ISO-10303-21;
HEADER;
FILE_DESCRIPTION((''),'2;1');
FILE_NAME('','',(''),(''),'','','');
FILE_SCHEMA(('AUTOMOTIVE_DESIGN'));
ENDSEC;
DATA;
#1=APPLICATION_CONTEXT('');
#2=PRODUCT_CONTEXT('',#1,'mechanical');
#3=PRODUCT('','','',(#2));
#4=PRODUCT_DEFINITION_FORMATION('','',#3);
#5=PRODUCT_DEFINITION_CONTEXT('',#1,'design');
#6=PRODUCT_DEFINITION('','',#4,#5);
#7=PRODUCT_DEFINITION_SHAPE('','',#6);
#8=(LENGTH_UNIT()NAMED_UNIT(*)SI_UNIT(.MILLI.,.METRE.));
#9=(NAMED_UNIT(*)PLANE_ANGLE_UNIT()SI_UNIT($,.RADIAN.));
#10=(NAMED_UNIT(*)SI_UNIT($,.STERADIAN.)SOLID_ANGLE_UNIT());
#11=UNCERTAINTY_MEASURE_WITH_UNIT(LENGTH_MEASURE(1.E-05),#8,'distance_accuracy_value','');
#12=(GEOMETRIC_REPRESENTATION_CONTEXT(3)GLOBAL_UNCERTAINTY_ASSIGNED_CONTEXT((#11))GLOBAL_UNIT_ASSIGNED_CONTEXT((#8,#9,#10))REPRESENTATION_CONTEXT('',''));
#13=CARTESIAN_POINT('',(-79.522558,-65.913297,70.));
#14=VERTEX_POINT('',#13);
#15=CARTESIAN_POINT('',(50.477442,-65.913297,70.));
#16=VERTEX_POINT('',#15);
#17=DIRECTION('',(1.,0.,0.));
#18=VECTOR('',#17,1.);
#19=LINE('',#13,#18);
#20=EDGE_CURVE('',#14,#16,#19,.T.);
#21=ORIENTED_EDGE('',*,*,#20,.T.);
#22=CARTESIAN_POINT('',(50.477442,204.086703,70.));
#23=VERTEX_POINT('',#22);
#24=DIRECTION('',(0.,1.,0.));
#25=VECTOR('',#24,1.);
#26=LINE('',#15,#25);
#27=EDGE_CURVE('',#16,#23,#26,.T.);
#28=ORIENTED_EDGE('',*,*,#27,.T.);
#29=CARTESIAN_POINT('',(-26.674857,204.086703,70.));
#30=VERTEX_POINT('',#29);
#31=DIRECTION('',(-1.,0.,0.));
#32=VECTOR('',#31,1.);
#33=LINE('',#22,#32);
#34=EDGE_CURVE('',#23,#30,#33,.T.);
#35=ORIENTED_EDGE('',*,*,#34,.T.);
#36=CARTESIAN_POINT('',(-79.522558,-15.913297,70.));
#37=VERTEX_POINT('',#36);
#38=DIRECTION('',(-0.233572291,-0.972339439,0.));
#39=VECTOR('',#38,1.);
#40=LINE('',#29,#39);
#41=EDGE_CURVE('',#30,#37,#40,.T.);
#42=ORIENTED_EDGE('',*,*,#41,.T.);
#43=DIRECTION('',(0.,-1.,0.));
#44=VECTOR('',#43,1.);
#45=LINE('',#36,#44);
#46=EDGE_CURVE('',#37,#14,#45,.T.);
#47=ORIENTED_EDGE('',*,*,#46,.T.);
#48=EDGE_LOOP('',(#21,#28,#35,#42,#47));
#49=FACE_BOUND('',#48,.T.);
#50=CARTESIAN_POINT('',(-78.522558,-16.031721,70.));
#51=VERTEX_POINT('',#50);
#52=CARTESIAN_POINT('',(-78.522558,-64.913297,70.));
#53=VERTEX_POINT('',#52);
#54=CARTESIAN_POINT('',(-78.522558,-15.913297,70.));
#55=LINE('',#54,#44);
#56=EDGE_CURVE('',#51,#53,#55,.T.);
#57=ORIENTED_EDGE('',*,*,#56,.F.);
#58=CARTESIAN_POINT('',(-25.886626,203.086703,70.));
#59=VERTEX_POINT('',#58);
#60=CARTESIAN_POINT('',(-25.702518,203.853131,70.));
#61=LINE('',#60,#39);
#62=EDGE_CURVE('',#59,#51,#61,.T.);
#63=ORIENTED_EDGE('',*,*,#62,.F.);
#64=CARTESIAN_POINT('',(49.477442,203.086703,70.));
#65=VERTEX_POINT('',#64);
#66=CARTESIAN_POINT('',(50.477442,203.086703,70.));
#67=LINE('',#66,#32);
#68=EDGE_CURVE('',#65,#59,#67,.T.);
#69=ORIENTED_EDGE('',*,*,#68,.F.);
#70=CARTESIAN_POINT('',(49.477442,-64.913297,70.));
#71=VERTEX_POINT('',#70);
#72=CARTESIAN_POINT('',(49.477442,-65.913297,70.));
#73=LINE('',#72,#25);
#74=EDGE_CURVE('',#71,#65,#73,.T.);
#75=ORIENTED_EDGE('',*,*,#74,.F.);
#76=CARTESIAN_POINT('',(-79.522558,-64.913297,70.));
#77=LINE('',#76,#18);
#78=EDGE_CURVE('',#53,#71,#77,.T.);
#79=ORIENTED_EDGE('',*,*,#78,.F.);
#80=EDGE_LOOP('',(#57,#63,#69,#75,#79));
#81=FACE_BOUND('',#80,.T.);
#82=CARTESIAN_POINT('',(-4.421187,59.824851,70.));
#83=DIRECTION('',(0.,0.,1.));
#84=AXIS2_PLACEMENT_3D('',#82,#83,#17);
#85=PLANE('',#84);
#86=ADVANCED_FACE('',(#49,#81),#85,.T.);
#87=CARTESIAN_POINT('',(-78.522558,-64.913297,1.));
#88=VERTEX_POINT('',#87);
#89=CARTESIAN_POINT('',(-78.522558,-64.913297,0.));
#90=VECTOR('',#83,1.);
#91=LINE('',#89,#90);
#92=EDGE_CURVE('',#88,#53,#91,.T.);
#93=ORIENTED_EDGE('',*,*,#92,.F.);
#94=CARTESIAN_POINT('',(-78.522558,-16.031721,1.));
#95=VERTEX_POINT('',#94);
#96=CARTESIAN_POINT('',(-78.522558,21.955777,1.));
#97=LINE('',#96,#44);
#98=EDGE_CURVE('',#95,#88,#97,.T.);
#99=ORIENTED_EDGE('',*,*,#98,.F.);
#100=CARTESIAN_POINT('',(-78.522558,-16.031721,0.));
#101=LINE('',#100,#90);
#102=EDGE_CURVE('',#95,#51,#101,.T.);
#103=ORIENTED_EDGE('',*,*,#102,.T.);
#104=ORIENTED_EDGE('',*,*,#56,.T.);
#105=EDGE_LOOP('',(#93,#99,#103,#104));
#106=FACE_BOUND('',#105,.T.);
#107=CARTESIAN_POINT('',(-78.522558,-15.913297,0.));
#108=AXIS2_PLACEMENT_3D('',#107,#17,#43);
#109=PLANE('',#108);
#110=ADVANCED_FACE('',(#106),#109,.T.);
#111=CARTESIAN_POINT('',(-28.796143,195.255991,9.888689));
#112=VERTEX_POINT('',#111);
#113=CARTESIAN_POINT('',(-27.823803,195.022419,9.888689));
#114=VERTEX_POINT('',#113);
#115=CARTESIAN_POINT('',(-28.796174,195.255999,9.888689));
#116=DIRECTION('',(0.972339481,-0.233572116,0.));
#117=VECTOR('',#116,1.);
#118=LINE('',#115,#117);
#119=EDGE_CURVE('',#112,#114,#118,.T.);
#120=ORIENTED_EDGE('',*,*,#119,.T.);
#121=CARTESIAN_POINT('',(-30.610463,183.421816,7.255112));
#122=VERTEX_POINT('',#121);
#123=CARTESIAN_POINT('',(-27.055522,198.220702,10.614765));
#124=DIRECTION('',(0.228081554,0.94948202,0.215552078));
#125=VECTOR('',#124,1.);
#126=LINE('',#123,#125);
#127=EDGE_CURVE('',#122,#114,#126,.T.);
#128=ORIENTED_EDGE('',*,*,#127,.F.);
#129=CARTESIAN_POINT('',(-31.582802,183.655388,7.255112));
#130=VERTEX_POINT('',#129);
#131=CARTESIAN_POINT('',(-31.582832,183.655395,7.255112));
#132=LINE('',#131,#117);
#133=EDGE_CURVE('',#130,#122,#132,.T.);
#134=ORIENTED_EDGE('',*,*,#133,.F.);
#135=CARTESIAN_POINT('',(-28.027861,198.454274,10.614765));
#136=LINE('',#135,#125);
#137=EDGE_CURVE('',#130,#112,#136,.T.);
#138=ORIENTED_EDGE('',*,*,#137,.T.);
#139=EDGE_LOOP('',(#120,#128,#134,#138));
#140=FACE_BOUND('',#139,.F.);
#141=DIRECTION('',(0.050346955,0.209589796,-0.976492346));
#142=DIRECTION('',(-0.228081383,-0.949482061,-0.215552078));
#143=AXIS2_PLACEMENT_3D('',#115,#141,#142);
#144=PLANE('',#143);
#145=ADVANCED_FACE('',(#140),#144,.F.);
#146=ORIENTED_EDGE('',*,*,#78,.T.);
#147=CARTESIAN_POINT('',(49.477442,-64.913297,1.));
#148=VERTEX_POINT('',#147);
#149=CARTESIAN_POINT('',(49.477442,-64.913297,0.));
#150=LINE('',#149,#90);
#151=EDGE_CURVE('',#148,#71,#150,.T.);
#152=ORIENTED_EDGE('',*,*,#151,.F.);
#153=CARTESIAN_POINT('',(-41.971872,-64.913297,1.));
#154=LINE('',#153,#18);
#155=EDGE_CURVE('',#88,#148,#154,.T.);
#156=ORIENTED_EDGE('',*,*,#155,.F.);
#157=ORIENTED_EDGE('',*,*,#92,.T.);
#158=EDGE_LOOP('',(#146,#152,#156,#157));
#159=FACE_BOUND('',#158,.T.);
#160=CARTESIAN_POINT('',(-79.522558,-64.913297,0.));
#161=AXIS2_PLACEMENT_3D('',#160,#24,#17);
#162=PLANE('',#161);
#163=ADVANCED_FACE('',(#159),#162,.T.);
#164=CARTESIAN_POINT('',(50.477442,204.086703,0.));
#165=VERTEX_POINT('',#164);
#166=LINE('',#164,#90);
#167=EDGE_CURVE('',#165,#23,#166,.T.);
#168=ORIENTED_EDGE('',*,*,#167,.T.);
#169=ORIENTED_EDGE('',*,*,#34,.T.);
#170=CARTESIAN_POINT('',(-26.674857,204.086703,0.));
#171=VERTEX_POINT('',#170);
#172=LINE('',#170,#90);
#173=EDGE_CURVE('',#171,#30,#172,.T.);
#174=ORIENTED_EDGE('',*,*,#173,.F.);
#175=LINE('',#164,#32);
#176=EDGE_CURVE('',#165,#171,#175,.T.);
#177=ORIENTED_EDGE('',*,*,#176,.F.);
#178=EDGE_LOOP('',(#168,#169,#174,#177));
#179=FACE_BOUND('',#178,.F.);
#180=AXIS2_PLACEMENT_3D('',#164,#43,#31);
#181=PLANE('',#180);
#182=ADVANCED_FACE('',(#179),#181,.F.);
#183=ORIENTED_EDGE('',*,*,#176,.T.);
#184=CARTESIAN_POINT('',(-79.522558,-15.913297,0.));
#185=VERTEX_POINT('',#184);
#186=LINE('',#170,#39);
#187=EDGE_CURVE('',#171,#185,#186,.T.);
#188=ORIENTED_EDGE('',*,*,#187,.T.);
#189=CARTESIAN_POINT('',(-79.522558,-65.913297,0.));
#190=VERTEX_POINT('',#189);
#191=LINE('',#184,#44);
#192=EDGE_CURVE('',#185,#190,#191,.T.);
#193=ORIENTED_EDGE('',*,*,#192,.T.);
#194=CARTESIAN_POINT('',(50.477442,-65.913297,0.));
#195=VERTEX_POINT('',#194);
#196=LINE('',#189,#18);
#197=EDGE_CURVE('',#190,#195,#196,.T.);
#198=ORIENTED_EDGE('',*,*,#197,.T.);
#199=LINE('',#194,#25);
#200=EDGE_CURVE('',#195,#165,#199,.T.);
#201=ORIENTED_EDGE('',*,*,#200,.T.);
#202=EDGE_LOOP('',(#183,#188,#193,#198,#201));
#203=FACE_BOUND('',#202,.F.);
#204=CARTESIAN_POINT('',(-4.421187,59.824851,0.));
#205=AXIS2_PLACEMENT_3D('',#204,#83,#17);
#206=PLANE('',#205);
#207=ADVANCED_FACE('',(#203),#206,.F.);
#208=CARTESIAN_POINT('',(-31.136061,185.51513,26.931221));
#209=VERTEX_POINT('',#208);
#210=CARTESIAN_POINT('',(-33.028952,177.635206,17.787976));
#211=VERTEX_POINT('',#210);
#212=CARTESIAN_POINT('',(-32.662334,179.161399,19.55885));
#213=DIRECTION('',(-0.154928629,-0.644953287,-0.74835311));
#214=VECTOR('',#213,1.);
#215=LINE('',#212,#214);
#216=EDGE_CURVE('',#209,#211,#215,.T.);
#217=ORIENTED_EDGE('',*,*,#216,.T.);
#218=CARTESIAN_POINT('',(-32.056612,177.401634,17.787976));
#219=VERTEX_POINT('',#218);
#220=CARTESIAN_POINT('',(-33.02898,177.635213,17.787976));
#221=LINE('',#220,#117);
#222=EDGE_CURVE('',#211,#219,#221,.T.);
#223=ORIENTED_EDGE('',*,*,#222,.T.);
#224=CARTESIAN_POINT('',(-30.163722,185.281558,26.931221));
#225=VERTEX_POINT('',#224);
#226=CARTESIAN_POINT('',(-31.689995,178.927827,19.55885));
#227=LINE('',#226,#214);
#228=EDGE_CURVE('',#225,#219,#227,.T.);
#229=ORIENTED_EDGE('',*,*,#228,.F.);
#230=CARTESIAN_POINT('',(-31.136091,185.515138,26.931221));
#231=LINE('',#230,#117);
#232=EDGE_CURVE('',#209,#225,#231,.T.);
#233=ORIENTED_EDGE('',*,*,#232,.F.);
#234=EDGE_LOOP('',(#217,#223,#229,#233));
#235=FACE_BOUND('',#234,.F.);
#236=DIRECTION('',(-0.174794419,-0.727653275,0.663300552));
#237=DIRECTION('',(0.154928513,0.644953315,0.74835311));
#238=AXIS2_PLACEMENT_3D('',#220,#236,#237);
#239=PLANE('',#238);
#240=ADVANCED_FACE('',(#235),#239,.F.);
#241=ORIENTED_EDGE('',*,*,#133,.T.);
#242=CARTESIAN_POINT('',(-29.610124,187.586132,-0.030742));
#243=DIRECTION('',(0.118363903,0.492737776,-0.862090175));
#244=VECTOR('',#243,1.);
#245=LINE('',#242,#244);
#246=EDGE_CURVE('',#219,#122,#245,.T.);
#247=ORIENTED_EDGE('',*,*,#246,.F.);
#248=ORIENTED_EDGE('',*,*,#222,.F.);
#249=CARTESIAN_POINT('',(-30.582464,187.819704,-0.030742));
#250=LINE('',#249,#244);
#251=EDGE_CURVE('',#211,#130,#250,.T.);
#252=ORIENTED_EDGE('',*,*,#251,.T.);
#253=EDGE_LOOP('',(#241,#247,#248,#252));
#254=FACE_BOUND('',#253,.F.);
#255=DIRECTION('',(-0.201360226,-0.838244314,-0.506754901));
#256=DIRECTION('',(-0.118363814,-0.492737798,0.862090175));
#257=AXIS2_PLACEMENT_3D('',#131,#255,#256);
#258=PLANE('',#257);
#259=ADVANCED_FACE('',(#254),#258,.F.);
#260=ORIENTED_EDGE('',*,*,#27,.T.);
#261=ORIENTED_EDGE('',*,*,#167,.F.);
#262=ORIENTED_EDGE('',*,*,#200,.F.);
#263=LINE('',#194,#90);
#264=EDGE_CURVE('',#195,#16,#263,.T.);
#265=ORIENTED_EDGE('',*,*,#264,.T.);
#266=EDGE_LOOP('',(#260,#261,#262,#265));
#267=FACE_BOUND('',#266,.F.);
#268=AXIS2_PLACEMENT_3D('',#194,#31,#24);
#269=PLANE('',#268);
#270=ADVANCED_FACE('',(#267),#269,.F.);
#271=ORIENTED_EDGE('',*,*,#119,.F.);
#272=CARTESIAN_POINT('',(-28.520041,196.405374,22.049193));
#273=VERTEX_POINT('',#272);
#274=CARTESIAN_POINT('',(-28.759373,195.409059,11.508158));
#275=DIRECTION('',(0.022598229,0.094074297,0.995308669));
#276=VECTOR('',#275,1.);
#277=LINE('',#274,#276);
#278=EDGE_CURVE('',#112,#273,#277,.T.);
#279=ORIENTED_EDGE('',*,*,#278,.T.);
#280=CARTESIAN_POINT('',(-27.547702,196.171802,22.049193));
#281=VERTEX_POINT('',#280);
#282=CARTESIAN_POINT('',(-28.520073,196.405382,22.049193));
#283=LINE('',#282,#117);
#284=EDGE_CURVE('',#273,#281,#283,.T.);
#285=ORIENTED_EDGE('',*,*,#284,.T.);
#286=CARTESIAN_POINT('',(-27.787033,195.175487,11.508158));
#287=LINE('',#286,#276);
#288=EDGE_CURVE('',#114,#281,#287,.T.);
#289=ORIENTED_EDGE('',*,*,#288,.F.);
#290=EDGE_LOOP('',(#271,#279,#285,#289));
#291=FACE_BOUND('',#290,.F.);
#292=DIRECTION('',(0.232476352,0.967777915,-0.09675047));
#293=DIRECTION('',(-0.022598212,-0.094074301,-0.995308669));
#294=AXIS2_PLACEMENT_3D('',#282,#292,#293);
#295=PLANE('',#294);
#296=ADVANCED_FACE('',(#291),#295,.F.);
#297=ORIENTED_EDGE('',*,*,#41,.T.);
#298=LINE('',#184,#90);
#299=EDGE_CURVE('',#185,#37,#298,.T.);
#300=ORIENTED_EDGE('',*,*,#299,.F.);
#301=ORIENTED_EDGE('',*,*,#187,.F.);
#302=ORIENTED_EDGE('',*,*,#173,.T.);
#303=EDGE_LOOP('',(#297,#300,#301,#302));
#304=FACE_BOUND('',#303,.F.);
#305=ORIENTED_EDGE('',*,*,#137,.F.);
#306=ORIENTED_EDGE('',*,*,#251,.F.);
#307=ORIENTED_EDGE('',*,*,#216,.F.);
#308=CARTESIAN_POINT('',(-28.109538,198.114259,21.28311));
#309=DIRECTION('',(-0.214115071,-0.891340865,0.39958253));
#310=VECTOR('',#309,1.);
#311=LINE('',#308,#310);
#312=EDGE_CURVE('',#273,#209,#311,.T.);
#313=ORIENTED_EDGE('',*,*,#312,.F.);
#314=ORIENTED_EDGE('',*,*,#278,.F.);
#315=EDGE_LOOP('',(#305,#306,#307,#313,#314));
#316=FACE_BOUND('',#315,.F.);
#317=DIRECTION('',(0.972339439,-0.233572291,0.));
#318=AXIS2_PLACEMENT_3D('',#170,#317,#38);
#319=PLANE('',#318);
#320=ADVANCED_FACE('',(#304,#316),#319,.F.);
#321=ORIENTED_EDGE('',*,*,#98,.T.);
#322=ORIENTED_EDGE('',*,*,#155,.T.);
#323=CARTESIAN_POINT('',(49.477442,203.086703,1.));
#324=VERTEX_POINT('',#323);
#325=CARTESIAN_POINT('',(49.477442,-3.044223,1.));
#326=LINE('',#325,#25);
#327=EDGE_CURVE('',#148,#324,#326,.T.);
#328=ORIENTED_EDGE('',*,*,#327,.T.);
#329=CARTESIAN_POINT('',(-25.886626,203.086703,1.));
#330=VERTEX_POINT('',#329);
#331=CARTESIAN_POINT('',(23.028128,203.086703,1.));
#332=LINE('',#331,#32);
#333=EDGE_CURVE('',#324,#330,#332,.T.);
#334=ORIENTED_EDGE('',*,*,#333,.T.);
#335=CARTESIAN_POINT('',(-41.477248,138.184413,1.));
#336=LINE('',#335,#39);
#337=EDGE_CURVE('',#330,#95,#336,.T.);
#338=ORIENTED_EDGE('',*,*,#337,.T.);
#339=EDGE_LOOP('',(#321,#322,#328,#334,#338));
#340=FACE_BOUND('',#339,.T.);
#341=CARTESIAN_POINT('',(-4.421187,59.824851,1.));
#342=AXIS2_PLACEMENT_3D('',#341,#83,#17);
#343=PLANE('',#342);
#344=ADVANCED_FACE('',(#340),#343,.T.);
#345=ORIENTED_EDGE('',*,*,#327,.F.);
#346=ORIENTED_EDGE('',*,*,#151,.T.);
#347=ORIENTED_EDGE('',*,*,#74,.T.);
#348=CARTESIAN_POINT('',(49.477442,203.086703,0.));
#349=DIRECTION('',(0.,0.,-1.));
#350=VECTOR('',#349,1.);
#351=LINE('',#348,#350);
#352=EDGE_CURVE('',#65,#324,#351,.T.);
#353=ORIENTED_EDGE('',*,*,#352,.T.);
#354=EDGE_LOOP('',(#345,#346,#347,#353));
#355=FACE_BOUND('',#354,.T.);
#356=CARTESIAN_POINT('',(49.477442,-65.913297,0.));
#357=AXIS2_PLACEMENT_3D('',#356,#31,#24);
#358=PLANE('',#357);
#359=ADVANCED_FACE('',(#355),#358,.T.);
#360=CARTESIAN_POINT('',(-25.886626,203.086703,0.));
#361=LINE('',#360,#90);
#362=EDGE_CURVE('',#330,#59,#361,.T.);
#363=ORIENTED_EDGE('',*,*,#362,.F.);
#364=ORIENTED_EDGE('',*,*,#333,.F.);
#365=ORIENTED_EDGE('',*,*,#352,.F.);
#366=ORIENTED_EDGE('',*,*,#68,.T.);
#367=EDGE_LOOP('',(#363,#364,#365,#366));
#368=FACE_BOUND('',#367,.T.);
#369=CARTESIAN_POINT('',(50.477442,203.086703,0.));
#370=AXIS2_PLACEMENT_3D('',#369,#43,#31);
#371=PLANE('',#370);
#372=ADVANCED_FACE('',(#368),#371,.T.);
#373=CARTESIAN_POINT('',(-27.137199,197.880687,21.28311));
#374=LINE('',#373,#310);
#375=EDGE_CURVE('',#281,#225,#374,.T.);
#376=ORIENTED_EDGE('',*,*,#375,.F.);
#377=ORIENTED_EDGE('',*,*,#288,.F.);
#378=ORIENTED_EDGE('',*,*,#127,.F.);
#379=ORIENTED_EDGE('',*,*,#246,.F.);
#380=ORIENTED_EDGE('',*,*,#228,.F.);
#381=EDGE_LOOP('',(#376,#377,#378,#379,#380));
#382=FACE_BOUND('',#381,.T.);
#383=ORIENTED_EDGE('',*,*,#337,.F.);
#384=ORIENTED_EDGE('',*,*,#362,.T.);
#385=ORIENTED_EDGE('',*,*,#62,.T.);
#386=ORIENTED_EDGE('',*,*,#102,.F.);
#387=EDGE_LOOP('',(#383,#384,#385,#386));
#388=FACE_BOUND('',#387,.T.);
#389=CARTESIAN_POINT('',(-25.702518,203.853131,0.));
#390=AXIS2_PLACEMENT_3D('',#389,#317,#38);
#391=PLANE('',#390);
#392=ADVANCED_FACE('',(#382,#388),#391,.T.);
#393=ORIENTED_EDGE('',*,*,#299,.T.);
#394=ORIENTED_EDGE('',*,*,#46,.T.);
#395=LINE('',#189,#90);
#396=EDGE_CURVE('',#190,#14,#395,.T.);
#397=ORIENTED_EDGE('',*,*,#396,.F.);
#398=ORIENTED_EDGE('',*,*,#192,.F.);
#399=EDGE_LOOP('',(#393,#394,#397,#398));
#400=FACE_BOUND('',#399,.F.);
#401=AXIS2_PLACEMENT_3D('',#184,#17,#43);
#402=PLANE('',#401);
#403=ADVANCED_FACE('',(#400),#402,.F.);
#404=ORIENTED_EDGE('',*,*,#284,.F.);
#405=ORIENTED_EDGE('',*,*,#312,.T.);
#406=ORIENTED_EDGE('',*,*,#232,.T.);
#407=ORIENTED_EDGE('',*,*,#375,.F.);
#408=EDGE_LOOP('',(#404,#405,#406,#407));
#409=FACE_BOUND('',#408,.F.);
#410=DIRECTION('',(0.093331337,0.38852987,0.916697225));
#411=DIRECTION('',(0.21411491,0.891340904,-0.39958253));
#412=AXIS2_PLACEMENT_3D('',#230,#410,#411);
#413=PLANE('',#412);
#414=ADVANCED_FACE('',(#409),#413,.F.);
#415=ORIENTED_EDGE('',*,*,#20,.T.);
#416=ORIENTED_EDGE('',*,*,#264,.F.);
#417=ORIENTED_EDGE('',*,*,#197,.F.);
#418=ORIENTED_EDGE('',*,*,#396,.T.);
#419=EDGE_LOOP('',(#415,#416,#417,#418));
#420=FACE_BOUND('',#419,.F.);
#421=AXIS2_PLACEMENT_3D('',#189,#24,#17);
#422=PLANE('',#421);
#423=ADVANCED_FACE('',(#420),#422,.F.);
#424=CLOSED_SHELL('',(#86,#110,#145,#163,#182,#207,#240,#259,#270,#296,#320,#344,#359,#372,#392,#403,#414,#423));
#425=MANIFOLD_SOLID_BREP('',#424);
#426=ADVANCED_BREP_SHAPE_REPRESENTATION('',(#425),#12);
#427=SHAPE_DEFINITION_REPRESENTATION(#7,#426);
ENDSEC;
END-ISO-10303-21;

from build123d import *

# Parameters (mm, degrees)
F1_DEPTH = 70
F2_T     = -1
F4_DEPTH = 4


with BuildPart() as f1:
    # F0 (on Top) → F1 (new body)
    with BuildSketch(Plane.XY):
        Polygon((50.477442, 204.086703), (-26.674857, 204.086703), (-79.522558, -15.913297), (-79.522558, -65.913297), (50.477442, -65.913297), align=None)
    extrude(amount=F1_DEPTH)

    # F2
    f2_openings = [f1.faces().sort_by_distance(p)[0] for p in [
        (-5.117094, 56.846235, 70),
    ]]
    offset(amount=F2_T, openings=f2_openings)

    # F3 (on face) → F4 (cut)
    with BuildSketch(Plane(origin=(-71.57003, 17.192325, 0), x_dir=(-0.233572, -0.972339, 0), z_dir=(-0.972339, 0.233572, 0))):
        Polygon((-165.007069, 17.787976), (-173.111157, 26.931221), (-184.3112, 22.049193), (-183.12912, 9.888689), (-171.19851, 7.255112), align=None)
    extrude(amount=-F4_DEPTH, mode=Mode.SUBTRACT)


solid = f1.part
